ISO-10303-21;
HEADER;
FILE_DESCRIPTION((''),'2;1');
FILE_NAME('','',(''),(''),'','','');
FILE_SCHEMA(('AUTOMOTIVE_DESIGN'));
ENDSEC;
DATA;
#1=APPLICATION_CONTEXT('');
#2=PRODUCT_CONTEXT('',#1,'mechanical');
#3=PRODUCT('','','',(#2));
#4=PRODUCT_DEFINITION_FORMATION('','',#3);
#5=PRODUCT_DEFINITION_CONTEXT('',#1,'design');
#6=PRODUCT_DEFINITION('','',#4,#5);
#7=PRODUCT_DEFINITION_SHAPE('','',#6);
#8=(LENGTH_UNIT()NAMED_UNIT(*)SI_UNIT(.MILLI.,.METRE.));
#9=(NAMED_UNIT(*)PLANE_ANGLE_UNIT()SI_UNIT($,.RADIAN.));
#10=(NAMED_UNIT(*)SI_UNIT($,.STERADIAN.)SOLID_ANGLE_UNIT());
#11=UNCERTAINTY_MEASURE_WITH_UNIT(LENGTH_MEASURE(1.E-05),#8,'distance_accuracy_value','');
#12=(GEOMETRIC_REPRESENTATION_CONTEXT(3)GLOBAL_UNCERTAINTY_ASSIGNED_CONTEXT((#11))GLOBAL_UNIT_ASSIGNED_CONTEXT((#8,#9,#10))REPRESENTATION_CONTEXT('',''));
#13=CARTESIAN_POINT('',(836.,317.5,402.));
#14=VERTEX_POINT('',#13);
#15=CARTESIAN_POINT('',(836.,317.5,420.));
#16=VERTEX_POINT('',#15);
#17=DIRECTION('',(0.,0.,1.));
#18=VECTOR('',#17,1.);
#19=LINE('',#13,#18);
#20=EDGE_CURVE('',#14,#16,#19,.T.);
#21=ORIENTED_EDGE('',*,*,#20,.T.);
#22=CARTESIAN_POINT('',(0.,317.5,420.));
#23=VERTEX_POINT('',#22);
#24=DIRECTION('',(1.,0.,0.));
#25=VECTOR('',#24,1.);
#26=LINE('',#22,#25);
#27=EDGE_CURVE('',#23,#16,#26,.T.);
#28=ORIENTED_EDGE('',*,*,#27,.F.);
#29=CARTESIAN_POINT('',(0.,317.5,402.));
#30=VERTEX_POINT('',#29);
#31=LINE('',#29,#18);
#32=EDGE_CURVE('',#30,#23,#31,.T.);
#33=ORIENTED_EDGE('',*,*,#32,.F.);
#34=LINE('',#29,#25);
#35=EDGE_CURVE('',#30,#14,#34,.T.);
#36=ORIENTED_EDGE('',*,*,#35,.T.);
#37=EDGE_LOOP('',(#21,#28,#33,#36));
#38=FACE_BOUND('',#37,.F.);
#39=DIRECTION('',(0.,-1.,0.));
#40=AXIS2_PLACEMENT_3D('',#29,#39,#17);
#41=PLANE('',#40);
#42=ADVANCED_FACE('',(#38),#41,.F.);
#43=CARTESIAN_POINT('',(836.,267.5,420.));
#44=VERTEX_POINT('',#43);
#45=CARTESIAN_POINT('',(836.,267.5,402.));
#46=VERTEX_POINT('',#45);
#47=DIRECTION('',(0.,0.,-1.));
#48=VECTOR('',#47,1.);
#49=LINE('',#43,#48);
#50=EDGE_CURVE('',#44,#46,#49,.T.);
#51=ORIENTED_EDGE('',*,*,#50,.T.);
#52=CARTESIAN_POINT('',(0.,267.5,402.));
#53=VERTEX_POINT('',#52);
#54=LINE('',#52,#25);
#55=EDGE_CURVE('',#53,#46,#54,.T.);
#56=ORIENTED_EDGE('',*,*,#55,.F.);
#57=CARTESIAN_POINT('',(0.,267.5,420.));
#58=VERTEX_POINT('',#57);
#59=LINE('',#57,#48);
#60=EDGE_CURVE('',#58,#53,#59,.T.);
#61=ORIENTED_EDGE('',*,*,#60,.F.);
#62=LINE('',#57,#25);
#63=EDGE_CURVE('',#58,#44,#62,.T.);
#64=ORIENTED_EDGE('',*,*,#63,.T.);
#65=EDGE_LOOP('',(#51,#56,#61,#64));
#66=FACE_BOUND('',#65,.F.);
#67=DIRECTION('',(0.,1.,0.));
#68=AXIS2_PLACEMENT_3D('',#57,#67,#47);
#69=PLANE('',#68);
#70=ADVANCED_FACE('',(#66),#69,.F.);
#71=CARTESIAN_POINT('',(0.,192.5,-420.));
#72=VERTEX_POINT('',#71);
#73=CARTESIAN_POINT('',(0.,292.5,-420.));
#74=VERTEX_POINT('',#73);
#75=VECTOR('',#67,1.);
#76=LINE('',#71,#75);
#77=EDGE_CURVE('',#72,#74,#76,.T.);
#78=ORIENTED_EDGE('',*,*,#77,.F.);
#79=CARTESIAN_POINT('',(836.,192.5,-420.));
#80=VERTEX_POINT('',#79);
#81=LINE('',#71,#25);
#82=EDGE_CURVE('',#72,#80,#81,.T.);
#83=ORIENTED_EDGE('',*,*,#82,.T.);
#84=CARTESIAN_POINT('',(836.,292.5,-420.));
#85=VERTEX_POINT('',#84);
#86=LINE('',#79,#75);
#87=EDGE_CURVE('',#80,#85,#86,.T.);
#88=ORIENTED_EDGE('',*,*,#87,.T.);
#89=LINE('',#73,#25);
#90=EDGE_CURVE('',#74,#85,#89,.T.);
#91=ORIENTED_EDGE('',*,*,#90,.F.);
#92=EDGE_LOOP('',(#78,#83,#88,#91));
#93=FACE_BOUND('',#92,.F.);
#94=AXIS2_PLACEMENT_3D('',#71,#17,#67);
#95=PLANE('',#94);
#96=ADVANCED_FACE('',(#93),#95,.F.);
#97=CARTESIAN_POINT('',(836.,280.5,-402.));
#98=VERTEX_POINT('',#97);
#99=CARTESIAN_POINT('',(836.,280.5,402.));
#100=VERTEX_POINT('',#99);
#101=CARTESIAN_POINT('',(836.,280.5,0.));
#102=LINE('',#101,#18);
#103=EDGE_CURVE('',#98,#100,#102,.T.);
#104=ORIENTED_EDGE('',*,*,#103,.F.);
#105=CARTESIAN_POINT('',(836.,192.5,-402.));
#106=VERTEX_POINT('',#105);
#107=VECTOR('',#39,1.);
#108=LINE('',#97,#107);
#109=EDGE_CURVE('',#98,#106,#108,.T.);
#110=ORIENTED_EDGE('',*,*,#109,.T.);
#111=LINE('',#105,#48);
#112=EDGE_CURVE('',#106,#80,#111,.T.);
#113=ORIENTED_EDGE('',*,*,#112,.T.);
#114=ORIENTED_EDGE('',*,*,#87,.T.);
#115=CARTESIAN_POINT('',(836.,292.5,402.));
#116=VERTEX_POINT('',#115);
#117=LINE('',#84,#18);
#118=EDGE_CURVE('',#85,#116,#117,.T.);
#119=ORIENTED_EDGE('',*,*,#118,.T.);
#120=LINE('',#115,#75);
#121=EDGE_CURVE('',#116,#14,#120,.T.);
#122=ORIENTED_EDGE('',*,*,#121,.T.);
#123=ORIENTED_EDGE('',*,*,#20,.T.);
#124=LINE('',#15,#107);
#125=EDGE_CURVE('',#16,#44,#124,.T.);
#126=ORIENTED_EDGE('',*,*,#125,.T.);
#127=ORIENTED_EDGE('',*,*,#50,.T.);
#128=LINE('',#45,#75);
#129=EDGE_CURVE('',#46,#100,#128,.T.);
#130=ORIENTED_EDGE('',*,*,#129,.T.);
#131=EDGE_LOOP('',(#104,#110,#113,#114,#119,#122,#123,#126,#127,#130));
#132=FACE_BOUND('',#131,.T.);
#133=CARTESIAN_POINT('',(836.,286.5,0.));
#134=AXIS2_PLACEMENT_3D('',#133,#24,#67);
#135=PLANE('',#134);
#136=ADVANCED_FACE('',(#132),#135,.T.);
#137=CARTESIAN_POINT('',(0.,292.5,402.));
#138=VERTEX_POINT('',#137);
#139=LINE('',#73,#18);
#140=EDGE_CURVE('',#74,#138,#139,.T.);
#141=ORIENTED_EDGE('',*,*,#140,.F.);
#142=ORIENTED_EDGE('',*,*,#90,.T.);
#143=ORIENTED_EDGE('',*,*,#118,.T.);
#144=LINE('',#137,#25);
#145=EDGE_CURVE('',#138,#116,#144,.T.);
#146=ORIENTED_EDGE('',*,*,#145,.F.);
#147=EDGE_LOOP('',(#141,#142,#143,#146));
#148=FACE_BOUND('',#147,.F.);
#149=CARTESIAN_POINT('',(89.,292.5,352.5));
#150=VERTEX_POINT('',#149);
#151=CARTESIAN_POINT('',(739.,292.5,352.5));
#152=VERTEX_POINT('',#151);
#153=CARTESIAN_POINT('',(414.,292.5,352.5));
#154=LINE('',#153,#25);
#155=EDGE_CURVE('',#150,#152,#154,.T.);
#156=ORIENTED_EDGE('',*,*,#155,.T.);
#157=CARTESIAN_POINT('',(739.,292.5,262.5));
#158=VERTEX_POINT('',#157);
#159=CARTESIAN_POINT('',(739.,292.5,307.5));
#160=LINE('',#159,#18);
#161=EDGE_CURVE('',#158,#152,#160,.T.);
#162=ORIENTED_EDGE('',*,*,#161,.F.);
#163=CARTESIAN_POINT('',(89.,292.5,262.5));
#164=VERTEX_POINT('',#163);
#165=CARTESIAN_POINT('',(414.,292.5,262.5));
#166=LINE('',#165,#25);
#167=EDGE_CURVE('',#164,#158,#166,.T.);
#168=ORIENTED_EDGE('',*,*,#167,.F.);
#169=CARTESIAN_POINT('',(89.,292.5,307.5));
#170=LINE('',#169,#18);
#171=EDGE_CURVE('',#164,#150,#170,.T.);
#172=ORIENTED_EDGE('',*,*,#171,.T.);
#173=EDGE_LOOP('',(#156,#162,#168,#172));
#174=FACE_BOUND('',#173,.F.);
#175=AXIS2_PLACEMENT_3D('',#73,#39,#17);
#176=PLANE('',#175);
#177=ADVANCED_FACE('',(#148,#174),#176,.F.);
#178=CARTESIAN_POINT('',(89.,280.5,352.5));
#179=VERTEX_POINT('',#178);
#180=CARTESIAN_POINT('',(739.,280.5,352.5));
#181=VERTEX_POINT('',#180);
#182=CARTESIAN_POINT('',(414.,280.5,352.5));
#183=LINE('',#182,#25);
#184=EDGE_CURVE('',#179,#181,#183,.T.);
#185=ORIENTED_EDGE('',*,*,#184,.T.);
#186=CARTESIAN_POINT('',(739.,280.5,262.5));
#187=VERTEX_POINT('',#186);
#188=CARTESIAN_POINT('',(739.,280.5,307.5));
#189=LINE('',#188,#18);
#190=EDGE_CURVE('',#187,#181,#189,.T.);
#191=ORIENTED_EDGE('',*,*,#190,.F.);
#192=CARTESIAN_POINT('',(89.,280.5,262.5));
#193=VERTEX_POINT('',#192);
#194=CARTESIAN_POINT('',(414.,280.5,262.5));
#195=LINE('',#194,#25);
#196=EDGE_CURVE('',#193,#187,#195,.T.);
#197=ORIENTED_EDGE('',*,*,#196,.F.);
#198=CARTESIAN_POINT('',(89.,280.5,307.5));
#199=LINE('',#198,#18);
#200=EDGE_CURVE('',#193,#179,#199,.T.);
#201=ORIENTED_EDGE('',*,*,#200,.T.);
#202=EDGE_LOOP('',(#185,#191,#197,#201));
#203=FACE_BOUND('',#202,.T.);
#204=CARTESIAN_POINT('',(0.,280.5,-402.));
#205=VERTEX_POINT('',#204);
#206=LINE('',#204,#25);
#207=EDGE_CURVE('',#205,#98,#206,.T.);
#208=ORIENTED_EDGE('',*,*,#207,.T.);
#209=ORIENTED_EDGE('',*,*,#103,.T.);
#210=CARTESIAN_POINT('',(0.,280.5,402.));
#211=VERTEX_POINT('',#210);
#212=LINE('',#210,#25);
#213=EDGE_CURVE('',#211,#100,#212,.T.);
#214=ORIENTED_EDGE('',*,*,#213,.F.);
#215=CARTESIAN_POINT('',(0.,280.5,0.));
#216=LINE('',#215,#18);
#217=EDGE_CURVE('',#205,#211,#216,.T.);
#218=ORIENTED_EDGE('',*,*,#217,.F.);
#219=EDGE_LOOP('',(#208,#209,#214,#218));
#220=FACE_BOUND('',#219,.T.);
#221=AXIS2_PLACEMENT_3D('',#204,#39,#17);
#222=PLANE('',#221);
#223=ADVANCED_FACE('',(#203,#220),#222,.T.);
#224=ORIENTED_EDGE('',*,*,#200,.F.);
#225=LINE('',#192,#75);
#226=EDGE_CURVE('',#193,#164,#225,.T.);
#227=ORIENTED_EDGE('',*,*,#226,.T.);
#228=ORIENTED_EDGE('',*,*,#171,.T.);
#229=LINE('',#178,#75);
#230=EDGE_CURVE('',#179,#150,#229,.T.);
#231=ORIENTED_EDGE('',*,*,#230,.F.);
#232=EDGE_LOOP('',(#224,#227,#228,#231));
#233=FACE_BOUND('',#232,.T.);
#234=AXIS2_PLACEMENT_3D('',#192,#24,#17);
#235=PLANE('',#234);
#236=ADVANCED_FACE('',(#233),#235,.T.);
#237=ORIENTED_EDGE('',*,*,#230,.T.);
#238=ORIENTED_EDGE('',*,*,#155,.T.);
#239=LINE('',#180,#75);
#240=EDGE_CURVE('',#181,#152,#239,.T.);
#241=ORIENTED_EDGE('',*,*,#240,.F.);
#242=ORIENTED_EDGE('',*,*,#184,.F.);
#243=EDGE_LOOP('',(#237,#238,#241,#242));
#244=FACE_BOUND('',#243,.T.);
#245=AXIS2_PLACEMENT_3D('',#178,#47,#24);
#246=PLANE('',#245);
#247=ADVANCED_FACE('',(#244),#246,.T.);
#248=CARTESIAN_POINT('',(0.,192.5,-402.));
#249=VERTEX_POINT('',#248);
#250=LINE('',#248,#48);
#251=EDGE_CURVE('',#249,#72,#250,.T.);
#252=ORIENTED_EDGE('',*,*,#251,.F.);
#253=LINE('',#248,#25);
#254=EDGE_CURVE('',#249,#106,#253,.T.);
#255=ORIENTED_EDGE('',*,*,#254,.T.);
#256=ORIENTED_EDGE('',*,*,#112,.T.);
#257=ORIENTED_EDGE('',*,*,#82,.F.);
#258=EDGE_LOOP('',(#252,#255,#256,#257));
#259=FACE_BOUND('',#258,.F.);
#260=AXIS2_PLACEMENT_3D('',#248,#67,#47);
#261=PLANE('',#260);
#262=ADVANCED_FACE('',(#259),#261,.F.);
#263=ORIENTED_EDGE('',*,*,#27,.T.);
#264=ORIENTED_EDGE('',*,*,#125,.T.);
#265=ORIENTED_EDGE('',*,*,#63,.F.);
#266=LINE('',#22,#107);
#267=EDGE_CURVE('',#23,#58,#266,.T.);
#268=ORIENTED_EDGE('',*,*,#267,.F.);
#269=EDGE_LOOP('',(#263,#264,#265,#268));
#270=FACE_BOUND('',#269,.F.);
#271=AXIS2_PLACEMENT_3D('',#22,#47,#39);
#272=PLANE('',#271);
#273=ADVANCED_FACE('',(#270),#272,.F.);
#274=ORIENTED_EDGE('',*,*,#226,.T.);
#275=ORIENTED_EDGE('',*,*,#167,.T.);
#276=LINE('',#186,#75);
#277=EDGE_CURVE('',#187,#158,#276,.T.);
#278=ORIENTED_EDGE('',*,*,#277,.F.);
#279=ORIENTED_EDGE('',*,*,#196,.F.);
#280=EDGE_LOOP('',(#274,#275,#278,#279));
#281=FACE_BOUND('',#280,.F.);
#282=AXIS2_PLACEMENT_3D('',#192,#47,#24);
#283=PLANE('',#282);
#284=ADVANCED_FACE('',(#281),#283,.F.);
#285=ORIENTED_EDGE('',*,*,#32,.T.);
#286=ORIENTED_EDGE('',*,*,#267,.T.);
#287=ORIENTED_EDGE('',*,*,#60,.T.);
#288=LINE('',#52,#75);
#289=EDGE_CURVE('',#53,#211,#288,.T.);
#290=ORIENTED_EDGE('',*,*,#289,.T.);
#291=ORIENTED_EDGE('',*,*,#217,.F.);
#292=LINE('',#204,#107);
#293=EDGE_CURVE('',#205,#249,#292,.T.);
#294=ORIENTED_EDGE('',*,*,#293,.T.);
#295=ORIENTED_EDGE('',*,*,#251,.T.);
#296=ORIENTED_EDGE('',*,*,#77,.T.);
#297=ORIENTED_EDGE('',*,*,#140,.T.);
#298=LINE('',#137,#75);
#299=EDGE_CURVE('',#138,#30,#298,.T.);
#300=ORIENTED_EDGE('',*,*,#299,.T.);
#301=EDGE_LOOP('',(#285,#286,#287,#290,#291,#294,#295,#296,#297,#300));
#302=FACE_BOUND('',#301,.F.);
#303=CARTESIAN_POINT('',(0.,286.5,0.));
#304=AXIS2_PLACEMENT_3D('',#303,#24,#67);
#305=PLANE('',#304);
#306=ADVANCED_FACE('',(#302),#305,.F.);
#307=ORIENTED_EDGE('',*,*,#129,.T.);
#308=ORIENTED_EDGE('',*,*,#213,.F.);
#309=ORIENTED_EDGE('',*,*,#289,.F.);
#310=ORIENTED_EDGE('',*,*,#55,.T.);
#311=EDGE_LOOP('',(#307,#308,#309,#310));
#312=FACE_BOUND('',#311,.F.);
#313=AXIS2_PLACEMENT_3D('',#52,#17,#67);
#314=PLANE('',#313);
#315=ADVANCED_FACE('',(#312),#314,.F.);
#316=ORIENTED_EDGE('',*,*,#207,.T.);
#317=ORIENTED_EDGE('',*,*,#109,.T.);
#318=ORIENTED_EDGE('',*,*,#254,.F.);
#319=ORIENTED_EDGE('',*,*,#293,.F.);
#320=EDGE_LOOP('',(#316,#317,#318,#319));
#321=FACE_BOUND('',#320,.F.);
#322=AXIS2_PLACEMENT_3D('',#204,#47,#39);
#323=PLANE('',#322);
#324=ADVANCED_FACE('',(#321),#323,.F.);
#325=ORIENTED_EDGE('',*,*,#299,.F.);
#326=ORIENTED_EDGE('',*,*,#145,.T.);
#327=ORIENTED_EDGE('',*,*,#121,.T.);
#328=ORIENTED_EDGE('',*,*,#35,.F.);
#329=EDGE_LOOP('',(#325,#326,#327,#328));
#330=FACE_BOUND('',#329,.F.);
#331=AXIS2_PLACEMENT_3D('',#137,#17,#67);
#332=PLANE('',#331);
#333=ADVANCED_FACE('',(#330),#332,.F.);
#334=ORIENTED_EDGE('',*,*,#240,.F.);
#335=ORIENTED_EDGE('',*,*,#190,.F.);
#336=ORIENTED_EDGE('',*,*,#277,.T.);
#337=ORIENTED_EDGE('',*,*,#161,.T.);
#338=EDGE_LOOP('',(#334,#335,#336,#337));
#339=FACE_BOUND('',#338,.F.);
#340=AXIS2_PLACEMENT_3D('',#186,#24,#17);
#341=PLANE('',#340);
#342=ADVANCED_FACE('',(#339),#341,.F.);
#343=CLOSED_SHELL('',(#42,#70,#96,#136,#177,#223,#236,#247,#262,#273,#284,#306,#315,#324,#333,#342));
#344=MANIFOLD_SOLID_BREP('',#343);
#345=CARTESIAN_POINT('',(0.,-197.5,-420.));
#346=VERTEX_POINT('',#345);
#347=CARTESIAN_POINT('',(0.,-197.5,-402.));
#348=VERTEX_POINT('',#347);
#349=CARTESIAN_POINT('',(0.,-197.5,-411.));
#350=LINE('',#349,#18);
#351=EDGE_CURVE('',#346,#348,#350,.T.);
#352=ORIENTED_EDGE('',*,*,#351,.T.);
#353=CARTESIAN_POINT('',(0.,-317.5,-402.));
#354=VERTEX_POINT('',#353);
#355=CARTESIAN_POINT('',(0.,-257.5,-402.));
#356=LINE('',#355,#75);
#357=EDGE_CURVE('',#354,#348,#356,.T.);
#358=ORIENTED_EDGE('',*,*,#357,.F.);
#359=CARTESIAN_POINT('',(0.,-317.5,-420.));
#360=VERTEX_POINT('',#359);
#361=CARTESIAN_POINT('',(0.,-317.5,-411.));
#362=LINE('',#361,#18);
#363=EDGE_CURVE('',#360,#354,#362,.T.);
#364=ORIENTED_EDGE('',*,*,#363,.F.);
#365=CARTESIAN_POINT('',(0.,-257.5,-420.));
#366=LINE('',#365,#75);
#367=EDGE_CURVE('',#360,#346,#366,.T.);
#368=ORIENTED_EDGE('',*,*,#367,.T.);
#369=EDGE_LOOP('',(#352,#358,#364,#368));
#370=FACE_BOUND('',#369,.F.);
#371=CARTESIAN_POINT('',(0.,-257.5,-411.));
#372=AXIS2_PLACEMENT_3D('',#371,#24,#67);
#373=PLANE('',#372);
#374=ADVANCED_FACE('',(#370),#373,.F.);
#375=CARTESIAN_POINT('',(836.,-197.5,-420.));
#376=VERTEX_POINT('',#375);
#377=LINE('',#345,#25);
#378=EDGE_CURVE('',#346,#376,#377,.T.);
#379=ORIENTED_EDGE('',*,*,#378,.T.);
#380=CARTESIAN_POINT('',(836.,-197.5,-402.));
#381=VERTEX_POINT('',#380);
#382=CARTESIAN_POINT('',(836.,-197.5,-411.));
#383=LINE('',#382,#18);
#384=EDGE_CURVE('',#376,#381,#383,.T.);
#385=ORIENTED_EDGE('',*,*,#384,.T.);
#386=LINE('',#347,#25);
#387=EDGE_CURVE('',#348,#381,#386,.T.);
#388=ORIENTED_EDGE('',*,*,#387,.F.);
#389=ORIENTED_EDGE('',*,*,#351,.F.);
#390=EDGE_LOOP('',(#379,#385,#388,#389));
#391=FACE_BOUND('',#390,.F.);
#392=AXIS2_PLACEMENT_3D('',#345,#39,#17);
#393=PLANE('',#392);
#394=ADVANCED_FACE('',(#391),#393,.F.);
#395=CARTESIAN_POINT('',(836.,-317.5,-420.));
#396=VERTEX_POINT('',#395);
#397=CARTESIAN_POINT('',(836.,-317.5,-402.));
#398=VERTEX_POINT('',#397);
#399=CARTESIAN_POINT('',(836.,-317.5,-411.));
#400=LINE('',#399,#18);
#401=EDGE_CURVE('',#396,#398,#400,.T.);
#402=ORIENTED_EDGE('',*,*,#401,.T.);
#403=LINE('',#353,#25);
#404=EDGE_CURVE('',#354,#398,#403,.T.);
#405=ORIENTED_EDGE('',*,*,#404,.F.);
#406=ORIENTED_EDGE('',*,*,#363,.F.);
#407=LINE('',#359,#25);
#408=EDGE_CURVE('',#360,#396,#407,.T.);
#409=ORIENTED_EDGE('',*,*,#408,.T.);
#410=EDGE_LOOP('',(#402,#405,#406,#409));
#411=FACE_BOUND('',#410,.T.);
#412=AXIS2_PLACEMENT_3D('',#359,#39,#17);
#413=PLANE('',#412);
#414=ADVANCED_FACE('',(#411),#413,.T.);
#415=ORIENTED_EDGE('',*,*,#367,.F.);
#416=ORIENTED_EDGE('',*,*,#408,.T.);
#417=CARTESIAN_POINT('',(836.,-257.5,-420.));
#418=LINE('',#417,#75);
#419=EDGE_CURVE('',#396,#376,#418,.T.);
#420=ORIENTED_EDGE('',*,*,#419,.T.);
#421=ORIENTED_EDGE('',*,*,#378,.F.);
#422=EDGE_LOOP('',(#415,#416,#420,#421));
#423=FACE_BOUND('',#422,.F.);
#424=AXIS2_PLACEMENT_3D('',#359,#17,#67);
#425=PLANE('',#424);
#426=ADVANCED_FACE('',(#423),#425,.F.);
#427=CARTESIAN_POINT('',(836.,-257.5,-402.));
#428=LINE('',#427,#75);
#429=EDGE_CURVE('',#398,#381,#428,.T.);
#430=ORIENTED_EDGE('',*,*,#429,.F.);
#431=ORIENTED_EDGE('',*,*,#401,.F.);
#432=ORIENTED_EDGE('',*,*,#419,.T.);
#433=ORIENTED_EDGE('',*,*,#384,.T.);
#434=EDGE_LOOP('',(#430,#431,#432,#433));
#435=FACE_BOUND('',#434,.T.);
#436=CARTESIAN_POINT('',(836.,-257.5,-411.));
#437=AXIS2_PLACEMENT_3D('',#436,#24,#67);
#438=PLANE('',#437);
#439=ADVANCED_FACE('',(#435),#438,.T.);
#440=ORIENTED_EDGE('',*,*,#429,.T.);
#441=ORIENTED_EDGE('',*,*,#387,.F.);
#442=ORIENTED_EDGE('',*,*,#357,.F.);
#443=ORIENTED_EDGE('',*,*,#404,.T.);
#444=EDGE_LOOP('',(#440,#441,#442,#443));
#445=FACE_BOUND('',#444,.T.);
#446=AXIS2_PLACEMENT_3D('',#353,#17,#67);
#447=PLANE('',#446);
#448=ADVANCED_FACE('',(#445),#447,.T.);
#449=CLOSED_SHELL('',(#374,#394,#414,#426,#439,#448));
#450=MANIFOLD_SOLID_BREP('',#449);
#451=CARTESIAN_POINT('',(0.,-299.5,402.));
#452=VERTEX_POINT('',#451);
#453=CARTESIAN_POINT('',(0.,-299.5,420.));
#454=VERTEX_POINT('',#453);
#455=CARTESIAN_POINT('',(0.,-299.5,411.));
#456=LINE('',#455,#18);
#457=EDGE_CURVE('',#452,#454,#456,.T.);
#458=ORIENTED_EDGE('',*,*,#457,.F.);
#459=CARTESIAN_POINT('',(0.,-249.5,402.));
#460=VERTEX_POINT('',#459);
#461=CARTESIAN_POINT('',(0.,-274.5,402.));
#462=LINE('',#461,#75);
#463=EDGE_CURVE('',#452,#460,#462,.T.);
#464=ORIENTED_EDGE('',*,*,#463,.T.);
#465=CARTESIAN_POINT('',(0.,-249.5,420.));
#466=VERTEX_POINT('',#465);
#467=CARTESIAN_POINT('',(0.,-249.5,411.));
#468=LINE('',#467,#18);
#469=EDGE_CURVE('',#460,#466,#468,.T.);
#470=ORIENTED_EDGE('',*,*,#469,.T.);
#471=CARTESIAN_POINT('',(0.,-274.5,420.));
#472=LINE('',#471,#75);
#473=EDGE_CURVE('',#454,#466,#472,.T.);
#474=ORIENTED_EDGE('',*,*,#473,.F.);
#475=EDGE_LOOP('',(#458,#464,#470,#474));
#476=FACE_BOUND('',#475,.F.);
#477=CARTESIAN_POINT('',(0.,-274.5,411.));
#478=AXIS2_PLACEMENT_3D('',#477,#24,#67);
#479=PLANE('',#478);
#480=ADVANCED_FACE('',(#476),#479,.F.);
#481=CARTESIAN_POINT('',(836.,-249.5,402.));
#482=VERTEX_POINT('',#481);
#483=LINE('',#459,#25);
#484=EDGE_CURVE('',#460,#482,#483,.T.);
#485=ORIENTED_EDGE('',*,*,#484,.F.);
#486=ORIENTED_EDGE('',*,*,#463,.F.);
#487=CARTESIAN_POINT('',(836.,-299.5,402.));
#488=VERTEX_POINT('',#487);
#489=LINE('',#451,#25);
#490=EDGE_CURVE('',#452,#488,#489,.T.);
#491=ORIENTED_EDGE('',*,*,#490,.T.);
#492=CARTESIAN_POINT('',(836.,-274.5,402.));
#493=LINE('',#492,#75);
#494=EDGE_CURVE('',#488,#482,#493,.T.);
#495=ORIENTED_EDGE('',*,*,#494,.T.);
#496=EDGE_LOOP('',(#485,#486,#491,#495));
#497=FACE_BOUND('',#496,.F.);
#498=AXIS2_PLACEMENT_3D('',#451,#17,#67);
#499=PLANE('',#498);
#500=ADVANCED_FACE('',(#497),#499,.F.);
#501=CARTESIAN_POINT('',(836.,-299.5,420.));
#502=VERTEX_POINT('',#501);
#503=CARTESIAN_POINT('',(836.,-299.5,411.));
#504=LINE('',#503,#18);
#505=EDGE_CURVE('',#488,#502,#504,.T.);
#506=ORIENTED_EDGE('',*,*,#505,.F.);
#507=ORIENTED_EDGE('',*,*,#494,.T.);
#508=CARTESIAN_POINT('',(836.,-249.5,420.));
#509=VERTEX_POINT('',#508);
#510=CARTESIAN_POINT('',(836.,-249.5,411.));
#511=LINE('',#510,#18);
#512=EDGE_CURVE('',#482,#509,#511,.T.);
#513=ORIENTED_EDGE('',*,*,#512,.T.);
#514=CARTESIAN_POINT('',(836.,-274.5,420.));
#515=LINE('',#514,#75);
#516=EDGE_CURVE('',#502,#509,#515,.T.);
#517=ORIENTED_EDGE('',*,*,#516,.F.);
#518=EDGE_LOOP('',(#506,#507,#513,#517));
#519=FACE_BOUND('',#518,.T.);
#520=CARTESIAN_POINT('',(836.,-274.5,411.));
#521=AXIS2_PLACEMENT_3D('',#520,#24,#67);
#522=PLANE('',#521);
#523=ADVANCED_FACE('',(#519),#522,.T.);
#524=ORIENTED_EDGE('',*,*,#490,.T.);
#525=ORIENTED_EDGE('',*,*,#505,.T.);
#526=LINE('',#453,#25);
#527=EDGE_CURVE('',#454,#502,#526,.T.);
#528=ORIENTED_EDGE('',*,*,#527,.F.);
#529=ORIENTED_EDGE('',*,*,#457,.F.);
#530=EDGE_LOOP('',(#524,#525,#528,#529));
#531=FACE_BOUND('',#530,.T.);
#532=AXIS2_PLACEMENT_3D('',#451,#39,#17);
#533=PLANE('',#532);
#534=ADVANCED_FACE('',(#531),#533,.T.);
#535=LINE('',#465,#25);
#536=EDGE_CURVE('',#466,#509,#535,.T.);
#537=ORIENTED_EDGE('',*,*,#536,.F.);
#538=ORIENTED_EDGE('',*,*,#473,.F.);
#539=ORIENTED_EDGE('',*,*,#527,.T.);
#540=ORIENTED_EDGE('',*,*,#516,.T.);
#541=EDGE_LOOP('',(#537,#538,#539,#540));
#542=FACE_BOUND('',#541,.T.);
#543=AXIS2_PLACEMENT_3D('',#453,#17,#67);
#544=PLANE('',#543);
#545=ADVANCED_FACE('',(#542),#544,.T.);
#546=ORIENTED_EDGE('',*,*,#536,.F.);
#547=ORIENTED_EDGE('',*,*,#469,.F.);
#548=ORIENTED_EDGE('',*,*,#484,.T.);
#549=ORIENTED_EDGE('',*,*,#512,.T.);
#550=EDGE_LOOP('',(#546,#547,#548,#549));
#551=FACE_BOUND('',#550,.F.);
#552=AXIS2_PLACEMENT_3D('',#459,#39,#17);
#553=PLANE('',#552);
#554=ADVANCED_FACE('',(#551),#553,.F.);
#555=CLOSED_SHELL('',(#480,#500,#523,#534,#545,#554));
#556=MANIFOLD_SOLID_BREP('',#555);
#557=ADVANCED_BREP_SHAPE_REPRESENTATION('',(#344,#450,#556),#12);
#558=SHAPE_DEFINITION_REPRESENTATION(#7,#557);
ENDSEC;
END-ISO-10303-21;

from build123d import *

# Parameters (mm, degrees)
F0_W     = 50
F0_H     = 18
F0_W_2   = 120
F0_W_3   = 12
F0_H_2   = 804
F1_DEPTH = 836
F2_W     = 650
F2_H     = 90
F3_DEPTH = 12


with BuildPart() as f1:
    # F0 (on Right) → F1 (new body)
    with BuildSketch(Plane.YZ):
        with Locations((-274.5, 411)):
            Rectangle(F0_W, F0_H)
        with Locations((-257.5, -411)):
            Rectangle(F0_W_2, F0_H)
        with Locations((286.5, 0)):
            Rectangle(F0_W_3, F0_H_2)
        Polygon((292.5, -402), (280.5, -402), (192.5, -402), (192.5, -420), (292.5, -420), align=None)
        Polygon((267.5, 402), (280.5, 402), (292.5, 402), (317.5, 402), (317.5, 420), (267.5, 420), align=None)
    extrude(amount=F1_DEPTH)

    # F2 (on face) → F3 (cut)
    with BuildSketch(Plane.XZ.offset(-280.5)):
        with Locations((414, 307.5)):
            Rectangle(F2_W, F2_H)
    extrude(amount=-F3_DEPTH, mode=Mode.SUBTRACT)


solid = f1.part
